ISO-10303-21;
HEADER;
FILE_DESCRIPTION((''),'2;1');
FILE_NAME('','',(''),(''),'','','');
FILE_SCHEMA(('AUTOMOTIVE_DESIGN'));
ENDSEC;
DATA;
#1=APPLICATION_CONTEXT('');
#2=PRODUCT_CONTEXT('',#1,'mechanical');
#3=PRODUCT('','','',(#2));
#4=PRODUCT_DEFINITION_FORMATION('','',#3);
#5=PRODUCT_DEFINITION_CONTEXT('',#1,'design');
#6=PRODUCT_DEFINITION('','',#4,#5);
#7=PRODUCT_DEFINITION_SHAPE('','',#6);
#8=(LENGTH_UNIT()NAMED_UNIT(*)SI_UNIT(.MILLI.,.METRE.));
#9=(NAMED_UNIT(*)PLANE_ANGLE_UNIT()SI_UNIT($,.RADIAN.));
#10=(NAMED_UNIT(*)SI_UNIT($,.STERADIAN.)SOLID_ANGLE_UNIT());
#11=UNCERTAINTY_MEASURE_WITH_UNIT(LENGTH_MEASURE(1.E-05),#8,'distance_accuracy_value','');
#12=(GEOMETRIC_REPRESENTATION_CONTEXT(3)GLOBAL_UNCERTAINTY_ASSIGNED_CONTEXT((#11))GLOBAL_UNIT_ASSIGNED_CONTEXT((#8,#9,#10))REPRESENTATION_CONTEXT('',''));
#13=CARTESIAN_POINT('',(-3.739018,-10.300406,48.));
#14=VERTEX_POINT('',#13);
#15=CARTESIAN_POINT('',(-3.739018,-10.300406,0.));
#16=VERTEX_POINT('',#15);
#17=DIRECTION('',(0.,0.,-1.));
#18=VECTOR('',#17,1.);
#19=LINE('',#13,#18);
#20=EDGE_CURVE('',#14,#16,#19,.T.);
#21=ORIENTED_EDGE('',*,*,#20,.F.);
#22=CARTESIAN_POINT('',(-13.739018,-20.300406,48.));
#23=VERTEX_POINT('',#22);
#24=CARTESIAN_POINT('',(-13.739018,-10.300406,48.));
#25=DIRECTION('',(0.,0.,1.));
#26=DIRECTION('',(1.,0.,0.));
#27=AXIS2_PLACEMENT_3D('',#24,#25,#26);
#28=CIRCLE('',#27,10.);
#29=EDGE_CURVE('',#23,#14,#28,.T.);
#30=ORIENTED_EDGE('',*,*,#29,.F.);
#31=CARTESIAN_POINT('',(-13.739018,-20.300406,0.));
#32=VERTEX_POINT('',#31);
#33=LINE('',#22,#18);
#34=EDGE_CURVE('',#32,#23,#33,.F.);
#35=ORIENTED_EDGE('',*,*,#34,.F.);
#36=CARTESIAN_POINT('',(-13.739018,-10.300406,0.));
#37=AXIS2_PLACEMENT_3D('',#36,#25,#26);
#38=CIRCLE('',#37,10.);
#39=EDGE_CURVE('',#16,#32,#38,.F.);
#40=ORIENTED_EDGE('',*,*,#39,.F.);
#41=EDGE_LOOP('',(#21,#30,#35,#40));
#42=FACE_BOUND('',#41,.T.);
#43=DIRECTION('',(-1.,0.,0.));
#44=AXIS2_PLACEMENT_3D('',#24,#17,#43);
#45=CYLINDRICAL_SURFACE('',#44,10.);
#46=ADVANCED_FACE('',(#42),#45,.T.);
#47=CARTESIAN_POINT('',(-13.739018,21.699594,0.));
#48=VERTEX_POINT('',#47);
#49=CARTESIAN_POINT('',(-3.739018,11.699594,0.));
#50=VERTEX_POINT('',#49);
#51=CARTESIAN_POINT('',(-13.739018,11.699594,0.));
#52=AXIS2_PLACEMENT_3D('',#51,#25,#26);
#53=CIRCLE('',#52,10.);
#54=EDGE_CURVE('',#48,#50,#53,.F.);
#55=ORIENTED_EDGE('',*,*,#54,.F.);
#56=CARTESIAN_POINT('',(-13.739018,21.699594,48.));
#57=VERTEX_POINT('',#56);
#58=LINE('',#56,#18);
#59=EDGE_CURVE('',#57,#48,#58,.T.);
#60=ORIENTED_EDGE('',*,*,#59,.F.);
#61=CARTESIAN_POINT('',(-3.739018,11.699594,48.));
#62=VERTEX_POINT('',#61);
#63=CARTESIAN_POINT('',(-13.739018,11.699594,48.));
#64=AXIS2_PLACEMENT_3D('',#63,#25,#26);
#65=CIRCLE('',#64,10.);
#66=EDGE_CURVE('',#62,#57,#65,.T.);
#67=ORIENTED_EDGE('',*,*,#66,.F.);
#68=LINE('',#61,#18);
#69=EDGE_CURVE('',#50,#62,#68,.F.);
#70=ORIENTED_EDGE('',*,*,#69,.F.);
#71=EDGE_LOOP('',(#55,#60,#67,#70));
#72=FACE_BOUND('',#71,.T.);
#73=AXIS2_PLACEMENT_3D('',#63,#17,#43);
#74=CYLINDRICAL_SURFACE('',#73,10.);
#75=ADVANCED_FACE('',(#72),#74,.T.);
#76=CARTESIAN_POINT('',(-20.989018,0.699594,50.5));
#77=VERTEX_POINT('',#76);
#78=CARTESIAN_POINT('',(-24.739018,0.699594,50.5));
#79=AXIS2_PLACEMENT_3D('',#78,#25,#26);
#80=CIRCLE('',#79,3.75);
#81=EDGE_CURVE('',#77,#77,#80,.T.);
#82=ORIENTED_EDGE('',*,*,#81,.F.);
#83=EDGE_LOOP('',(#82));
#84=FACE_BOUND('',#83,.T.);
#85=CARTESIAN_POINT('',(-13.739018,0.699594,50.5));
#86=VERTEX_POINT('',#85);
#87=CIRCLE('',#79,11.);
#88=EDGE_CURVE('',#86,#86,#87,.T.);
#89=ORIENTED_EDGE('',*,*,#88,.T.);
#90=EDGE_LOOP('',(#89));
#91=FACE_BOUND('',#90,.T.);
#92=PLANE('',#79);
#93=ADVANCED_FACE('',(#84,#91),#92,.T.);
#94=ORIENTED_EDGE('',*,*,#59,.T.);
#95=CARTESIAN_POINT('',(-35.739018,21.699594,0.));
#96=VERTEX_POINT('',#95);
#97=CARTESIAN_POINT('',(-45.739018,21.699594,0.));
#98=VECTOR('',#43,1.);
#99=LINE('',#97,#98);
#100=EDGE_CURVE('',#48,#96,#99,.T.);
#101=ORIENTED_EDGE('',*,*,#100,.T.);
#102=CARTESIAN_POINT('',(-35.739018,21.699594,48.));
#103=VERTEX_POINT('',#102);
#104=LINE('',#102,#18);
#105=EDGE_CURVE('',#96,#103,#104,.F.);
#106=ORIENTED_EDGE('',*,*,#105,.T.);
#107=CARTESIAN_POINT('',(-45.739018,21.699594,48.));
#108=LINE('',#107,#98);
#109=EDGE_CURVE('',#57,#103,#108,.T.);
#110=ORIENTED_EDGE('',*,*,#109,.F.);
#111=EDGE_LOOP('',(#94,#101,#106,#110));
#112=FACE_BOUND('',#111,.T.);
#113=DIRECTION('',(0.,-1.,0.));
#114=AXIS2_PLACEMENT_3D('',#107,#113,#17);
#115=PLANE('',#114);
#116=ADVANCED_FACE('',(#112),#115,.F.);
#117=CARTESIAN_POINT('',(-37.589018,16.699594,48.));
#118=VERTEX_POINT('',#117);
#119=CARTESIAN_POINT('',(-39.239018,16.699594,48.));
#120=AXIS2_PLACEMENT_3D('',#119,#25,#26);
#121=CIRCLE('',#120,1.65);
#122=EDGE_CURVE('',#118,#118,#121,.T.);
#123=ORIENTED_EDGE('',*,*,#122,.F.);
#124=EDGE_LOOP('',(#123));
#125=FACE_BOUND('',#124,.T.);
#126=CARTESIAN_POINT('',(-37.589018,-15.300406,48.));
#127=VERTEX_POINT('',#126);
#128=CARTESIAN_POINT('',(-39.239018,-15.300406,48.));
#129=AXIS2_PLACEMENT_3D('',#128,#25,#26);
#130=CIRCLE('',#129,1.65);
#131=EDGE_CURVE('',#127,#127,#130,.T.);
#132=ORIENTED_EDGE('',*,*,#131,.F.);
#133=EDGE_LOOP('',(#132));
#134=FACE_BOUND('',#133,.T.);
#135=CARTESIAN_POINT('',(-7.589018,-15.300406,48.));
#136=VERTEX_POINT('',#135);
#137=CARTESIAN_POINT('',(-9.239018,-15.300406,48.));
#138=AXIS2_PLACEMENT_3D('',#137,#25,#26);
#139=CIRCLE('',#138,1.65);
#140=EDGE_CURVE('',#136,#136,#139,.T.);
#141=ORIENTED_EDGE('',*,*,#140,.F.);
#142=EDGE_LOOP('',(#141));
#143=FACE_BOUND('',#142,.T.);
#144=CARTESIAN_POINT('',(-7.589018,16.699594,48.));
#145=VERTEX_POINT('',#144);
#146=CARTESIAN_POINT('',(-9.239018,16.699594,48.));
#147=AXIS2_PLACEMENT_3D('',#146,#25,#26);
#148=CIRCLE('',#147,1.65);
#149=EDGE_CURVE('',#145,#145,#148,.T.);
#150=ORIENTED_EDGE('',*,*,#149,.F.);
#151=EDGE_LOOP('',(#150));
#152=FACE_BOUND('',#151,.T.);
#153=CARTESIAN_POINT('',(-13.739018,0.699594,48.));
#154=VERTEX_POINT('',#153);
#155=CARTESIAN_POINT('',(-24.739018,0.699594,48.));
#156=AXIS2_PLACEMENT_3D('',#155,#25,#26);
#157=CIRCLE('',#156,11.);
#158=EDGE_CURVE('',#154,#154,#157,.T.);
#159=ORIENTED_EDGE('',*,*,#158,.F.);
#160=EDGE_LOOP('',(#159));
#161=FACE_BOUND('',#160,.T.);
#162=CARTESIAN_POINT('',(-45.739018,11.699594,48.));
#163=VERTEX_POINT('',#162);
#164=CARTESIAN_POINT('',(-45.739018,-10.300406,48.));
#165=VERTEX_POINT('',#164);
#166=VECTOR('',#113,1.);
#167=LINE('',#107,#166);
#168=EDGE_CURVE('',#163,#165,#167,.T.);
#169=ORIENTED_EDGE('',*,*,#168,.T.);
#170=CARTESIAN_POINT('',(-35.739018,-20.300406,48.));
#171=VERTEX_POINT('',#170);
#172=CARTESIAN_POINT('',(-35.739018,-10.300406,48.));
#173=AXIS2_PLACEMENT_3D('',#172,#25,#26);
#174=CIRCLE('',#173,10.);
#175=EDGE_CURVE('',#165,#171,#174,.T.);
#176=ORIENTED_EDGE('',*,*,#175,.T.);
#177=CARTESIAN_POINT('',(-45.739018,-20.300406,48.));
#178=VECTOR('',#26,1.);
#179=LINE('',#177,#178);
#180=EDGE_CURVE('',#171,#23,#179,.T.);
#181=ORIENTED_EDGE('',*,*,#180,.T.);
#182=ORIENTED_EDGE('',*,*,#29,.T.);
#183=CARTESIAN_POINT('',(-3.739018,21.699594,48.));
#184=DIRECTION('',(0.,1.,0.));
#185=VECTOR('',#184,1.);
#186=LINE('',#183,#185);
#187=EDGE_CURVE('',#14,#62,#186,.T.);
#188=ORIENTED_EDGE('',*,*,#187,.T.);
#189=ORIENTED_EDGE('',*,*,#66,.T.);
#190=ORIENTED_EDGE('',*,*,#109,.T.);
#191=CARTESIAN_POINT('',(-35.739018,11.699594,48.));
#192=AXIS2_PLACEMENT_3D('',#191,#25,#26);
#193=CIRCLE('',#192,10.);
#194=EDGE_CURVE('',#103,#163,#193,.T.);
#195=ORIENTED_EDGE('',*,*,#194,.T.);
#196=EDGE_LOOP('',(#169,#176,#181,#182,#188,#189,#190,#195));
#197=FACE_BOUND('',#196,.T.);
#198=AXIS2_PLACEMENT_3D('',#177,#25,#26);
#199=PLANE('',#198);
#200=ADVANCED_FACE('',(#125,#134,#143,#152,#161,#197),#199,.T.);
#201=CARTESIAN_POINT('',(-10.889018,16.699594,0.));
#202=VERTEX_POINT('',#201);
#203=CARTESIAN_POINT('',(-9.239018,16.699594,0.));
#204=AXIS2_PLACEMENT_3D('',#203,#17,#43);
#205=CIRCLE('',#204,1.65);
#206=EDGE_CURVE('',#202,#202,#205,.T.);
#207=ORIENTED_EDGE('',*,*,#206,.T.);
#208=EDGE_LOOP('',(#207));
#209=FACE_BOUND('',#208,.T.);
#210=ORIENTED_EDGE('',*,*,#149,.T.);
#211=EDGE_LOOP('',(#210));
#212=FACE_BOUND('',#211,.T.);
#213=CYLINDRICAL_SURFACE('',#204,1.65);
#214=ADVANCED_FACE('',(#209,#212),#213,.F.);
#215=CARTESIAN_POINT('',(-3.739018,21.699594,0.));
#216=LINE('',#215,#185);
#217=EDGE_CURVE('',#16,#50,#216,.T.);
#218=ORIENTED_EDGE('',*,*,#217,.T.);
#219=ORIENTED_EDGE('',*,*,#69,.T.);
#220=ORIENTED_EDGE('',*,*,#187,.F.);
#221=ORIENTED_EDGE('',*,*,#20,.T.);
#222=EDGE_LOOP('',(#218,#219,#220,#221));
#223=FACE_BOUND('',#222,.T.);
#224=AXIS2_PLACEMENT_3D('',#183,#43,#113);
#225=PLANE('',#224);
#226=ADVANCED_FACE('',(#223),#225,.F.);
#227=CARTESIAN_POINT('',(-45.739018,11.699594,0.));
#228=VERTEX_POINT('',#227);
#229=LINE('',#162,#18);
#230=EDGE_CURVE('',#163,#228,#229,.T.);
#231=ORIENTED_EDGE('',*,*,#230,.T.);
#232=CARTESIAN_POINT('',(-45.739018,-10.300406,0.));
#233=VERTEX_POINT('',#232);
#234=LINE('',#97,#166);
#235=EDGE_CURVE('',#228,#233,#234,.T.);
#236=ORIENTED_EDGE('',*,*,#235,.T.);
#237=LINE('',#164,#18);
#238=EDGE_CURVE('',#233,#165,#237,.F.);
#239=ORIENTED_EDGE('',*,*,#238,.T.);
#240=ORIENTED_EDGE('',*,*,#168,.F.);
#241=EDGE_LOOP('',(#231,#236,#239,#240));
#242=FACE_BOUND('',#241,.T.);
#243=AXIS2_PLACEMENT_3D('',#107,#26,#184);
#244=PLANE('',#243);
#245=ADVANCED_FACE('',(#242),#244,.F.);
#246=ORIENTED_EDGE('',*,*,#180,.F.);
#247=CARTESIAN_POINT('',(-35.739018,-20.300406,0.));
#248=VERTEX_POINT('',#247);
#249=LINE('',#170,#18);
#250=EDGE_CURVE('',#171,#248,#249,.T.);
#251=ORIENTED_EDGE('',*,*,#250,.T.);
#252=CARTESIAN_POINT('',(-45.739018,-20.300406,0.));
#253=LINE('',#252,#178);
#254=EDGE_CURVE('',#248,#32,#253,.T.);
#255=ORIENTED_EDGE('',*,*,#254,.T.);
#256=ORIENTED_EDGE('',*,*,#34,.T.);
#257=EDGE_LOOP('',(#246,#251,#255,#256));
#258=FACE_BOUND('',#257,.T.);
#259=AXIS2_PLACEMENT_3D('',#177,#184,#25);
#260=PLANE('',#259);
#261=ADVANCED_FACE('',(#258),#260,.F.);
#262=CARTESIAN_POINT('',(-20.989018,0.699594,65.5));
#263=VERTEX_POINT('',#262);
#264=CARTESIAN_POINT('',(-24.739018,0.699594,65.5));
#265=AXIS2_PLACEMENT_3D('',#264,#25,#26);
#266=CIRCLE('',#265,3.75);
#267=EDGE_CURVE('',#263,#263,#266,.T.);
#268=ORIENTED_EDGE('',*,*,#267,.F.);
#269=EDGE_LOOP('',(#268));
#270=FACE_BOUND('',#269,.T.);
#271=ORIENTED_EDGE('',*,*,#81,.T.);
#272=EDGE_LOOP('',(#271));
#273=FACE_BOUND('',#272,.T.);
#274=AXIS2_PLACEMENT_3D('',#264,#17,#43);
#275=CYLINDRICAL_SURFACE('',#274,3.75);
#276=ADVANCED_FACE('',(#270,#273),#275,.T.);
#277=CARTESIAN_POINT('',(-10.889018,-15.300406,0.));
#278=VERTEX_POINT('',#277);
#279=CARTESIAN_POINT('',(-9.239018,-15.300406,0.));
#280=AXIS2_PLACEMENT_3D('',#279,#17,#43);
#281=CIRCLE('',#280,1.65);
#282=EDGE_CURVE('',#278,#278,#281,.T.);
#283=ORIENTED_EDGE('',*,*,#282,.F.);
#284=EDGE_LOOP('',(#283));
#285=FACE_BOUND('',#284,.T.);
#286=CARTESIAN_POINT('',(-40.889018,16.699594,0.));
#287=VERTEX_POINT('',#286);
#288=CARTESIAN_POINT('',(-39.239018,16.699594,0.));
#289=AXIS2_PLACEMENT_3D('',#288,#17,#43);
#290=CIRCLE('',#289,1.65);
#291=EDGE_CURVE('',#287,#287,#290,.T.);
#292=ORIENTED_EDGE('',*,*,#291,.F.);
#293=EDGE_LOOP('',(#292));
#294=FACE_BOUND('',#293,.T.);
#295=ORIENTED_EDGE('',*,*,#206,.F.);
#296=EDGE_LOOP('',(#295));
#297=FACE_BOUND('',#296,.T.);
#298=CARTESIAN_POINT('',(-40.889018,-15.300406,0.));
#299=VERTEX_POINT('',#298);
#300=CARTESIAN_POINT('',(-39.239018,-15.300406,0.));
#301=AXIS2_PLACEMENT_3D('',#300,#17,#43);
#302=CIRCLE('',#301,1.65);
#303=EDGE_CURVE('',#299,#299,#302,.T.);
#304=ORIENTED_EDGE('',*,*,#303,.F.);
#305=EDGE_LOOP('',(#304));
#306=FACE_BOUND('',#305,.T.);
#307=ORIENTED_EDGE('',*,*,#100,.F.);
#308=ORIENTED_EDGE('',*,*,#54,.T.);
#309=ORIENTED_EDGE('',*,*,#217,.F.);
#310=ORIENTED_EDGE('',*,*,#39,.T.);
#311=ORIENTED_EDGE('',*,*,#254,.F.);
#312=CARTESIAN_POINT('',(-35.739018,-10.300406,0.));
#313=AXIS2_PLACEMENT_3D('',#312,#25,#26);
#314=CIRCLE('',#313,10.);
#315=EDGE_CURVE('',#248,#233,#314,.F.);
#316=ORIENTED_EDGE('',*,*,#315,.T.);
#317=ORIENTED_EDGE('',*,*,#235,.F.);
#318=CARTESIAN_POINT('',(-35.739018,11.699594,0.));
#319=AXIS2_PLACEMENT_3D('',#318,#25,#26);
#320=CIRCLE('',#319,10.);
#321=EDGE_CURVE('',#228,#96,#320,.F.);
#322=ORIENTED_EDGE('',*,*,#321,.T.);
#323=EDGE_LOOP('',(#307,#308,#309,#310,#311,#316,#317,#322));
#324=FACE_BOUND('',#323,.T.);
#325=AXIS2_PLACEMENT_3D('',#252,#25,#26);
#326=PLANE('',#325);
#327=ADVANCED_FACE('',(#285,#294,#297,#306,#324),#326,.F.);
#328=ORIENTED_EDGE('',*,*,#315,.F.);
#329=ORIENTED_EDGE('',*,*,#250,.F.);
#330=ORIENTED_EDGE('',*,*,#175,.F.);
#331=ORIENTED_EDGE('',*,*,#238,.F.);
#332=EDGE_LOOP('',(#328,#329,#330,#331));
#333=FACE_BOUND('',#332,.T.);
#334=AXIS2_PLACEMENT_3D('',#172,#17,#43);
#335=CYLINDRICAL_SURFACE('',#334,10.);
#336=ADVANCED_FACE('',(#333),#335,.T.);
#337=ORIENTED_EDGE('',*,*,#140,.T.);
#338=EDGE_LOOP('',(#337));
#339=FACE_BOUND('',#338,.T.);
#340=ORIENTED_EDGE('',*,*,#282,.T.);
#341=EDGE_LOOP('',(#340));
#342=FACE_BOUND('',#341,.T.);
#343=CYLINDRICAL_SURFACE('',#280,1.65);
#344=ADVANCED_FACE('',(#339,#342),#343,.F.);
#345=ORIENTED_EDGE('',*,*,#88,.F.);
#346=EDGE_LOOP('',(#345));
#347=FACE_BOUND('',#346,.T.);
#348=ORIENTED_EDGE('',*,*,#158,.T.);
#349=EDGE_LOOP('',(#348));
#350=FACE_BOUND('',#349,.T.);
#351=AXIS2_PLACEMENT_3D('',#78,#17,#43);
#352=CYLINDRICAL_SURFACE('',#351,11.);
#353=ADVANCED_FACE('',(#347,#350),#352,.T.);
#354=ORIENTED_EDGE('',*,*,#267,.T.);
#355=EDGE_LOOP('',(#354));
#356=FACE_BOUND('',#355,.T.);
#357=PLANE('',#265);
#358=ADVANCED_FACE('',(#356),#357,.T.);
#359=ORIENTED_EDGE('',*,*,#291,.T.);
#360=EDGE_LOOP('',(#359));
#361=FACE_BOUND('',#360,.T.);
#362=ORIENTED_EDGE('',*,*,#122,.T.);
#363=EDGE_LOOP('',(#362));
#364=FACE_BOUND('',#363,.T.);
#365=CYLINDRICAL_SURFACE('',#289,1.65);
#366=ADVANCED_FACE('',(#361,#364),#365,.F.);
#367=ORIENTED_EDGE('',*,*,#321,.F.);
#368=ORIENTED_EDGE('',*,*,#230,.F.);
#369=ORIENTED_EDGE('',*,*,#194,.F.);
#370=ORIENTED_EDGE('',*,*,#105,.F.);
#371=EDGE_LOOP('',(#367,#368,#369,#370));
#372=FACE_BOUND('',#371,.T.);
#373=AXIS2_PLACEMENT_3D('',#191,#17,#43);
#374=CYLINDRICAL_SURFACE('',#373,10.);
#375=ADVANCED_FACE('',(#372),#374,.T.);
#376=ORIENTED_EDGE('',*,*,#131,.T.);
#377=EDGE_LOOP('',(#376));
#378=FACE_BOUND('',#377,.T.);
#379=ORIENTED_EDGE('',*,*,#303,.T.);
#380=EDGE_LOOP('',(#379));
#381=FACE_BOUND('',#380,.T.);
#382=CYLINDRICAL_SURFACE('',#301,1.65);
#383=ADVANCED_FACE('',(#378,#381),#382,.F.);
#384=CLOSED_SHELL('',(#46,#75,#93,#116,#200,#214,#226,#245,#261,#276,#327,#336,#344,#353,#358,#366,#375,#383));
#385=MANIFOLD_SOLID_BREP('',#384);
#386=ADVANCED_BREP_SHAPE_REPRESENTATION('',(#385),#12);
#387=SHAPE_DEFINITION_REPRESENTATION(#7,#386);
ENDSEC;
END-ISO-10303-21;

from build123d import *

# Parameters (mm, degrees)
SKETCH_1_W         = 42
SKETCH_1_H         = 42
EXTRUDE_1_DEPTH    = 48
FILLET_1_R         = 10
SKETCH_2_R         = 11
EXTRUDE_2_DEPTH    = 2.5
SKETCH_3_R         = 3.75
EXTRUDE_3_DEPTH    = 15
HOLE_WIZARD_M4_1_D = 3.3


with BuildPart() as part:
    # 草图1 → 凸台-拉伸1 (new body)
    with BuildSketch(Plane.XY):
        with Locations((-24.739017766, 0.699593909)):
            Rectangle(SKETCH_1_W, SKETCH_1_H)
    extrude(amount=EXTRUDE_1_DEPTH)

    # 圆角1
    fillet_1_edges = [part.edges().sort_by_distance(p)[0] for p in [
        (-45.739017766, 21.699593909, 24),
        (-3.739017766, 21.699593909, 24),
        (-3.739017766, -20.300406091, 24),
        (-45.739017766, -20.300406091, 24),
    ]]
    fillet(fillet_1_edges, radius=FILLET_1_R)

    # 草图2 → 凸台-拉伸2 (add)
    with BuildSketch(Plane.XY.offset(48)):
        with Locations((-24.739017766, 0.699593909)):
            Circle(SKETCH_2_R)
    extrude(amount=EXTRUDE_2_DEPTH)

    # 草图3 → 凸台-拉伸3 (add)
    with BuildSketch(Plane.XY.offset(50.5)):
        with Locations((-24.739017766, 0.699593909)):
            Circle(SKETCH_3_R)
    extrude(amount=EXTRUDE_3_DEPTH)

    # M4 螺纹孔1 (through all)
    with Locations(Plane(origin=(0, 0, 0), x_dir=(-1, 0, 0), z_dir=(0, 0, -1))):
        with Locations((9.239017766, 16.699593909), (9.239017766, -15.300406091), (39.239017766, -15.300406091), (39.239017766, 16.699593909)):
            Hole(HOLE_WIZARD_M4_1_D / 2)


solid = part.part
